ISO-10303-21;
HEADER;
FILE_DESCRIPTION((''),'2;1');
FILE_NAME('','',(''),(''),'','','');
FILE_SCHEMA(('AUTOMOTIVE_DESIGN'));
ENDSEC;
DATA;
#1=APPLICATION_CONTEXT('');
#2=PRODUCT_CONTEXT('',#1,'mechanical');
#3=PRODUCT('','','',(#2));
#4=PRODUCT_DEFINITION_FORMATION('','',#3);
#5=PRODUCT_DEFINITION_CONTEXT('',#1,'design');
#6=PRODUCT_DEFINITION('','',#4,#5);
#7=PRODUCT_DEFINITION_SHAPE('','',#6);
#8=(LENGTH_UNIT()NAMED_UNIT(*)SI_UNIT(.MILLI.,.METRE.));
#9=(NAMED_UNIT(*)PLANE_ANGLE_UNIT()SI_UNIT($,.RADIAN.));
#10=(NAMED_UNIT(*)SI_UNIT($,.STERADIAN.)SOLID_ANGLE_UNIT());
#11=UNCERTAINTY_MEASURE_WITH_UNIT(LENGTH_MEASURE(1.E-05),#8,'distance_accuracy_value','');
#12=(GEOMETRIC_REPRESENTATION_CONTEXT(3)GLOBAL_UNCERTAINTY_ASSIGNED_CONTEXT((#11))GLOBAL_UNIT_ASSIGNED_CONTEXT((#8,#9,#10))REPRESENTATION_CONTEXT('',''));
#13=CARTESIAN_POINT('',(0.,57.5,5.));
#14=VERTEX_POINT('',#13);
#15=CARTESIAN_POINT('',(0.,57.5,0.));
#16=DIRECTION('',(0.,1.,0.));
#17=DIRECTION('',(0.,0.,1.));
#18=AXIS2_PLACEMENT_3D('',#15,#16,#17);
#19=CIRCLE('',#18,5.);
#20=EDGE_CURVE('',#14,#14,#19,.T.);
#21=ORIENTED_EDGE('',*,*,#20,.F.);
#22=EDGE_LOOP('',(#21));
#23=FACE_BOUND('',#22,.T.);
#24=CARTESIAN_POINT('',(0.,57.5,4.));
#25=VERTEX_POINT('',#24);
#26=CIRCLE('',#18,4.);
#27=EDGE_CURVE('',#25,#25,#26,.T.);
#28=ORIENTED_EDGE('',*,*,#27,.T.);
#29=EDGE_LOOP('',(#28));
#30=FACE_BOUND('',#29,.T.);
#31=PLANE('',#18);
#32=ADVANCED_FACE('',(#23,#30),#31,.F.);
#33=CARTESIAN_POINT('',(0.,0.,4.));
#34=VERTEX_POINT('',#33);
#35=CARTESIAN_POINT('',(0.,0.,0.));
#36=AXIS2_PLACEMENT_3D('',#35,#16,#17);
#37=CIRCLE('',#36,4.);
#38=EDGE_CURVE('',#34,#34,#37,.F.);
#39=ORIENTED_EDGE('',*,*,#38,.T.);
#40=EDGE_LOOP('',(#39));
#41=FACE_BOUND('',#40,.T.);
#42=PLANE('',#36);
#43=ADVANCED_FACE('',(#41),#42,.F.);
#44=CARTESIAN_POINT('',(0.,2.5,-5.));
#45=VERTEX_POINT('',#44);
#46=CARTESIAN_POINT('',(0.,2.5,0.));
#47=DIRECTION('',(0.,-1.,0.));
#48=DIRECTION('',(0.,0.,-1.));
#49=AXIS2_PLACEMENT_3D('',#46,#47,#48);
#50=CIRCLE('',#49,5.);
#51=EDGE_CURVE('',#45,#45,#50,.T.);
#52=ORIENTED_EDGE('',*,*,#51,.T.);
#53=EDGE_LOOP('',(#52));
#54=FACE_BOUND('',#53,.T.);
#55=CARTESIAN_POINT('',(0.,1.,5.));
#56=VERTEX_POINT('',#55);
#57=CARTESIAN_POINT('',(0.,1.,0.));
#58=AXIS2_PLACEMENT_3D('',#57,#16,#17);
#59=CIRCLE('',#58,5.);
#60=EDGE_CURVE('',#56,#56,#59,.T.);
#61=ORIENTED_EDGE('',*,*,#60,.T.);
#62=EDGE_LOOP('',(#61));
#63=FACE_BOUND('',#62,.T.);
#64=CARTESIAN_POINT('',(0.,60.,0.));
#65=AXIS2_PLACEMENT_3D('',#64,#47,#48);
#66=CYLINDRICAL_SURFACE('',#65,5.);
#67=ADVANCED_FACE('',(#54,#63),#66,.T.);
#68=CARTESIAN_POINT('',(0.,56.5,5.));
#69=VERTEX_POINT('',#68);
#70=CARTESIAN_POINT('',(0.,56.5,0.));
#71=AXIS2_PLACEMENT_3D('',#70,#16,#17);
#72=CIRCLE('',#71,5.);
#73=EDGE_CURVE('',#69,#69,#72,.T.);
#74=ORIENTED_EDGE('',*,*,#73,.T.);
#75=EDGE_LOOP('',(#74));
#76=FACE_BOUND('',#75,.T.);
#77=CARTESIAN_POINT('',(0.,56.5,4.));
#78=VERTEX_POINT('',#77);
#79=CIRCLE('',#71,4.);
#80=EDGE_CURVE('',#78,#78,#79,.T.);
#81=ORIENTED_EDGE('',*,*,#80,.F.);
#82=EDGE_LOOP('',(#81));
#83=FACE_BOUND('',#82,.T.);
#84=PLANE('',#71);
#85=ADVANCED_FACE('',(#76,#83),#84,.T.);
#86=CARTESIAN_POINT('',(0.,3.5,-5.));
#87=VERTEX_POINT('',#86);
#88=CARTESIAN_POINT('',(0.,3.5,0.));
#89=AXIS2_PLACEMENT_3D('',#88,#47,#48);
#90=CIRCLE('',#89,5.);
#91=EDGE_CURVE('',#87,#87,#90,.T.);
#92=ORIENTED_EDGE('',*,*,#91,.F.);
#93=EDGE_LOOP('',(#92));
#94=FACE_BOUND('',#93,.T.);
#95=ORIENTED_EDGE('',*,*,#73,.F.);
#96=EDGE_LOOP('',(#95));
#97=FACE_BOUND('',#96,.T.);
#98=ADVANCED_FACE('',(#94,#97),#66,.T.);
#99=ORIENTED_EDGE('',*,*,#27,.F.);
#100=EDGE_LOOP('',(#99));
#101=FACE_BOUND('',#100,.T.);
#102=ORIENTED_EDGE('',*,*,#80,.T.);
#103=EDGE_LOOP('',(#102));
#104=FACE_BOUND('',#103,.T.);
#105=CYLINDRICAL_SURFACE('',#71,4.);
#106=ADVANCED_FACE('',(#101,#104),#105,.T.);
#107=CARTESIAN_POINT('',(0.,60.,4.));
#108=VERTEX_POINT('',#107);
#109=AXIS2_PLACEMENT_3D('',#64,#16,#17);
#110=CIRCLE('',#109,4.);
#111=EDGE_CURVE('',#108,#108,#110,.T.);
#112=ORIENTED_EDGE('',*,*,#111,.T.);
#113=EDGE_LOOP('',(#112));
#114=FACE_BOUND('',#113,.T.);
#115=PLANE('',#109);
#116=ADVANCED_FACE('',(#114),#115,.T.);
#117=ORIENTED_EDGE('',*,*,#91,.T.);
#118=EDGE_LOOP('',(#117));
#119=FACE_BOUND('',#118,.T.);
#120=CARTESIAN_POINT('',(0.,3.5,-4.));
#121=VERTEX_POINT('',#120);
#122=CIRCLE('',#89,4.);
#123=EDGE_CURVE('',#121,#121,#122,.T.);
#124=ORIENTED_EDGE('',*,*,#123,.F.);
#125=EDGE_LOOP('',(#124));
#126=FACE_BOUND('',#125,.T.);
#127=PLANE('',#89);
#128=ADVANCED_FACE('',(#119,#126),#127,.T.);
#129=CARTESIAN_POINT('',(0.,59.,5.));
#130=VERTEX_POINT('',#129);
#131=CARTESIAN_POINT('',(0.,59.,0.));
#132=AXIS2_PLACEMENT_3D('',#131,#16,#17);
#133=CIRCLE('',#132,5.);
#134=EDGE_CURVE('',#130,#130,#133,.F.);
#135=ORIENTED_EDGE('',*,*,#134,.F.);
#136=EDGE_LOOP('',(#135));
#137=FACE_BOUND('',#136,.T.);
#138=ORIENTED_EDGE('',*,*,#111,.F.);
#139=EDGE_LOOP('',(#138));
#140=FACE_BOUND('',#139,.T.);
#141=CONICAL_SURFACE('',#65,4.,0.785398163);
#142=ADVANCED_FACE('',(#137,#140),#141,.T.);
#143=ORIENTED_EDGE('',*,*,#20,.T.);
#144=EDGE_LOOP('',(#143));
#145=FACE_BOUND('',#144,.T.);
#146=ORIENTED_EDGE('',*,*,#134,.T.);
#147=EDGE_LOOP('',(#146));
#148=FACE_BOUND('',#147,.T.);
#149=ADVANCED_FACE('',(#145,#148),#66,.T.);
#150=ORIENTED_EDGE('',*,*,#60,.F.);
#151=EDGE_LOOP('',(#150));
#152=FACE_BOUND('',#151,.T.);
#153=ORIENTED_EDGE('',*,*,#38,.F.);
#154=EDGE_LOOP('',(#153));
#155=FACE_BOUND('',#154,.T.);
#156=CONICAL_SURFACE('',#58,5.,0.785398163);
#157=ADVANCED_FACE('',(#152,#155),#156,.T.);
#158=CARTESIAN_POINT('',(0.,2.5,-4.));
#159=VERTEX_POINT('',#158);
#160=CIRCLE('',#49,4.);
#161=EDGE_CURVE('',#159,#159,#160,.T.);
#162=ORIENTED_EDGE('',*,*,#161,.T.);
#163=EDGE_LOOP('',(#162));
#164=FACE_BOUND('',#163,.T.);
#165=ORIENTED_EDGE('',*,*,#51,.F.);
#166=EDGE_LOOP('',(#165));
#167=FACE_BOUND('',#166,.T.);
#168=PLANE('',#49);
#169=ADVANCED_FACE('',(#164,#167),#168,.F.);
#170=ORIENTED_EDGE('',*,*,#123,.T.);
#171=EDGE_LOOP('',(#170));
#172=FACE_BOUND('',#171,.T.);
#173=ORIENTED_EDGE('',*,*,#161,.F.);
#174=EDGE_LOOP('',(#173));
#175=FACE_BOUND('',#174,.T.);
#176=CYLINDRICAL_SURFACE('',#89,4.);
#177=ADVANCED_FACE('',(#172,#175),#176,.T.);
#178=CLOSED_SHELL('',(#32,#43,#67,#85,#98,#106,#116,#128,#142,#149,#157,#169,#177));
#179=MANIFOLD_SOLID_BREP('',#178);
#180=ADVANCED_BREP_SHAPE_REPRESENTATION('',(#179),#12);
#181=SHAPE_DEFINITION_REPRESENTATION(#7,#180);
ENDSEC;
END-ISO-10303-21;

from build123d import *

# Parameters (mm, degrees)
SKETCH1_R           = 5
BOSS_EXTRUDE1_DEPTH = 60
CHAMFER1_SIZE       = 1
CUT_EXTRUDE1_START  = -2.5
SKETCH2_R           = 7.5
SKETCH2_R_2         = 4
CUT_EXTRUDE1_DEPTH  = 1
CUT_EXTRUDE2_START  = -3.5
SKETCH3_R           = 7.5
SKETCH3_R_2         = 4
CUT_EXTRUDE2_DEPTH  = 1


with BuildPart() as part:
    # Sketch1 → Boss-Extrude1 (new body)
    with BuildSketch(Plane(origin=(0, 0, 0), x_dir=(1, 0, 0), z_dir=(0, 1, 0))):
        with Locations(Location((0, 0, 0), (0, 0, 270))):
            Circle(SKETCH1_R)
    extrude(amount=BOSS_EXTRUDE1_DEPTH)

    # Chamfer1
    chamfer1_edges = [part.edges().sort_by_distance(p)[0] for p in [
        (0, 0, -5),
        (0, 60, -5),
    ]]
    chamfer(chamfer1_edges, length=CHAMFER1_SIZE)

    # Sketch2 → Cut-Extrude1 (cut)
    with BuildSketch(Plane.XZ.offset(CUT_EXTRUDE1_START)):
        Circle(SKETCH2_R)
        with Locations(Location((0, 0, 0), (0, 0, 270))):
            Circle(SKETCH2_R_2, mode=Mode.SUBTRACT)
    extrude(amount=-CUT_EXTRUDE1_DEPTH, mode=Mode.SUBTRACT)

    # Sketch3 → Cut-Extrude2 (cut)
    with BuildSketch(Plane(origin=(0, 60, 0), x_dir=(1, 0, 0), z_dir=(0, 1, 0)).offset(CUT_EXTRUDE2_START)):
        Circle(SKETCH3_R)
        with Locations(Location((0, 0, 0), (0, 0, 90))):
            Circle(SKETCH3_R_2, mode=Mode.SUBTRACT)
    extrude(amount=CUT_EXTRUDE2_DEPTH, mode=Mode.SUBTRACT)


solid = part.part
